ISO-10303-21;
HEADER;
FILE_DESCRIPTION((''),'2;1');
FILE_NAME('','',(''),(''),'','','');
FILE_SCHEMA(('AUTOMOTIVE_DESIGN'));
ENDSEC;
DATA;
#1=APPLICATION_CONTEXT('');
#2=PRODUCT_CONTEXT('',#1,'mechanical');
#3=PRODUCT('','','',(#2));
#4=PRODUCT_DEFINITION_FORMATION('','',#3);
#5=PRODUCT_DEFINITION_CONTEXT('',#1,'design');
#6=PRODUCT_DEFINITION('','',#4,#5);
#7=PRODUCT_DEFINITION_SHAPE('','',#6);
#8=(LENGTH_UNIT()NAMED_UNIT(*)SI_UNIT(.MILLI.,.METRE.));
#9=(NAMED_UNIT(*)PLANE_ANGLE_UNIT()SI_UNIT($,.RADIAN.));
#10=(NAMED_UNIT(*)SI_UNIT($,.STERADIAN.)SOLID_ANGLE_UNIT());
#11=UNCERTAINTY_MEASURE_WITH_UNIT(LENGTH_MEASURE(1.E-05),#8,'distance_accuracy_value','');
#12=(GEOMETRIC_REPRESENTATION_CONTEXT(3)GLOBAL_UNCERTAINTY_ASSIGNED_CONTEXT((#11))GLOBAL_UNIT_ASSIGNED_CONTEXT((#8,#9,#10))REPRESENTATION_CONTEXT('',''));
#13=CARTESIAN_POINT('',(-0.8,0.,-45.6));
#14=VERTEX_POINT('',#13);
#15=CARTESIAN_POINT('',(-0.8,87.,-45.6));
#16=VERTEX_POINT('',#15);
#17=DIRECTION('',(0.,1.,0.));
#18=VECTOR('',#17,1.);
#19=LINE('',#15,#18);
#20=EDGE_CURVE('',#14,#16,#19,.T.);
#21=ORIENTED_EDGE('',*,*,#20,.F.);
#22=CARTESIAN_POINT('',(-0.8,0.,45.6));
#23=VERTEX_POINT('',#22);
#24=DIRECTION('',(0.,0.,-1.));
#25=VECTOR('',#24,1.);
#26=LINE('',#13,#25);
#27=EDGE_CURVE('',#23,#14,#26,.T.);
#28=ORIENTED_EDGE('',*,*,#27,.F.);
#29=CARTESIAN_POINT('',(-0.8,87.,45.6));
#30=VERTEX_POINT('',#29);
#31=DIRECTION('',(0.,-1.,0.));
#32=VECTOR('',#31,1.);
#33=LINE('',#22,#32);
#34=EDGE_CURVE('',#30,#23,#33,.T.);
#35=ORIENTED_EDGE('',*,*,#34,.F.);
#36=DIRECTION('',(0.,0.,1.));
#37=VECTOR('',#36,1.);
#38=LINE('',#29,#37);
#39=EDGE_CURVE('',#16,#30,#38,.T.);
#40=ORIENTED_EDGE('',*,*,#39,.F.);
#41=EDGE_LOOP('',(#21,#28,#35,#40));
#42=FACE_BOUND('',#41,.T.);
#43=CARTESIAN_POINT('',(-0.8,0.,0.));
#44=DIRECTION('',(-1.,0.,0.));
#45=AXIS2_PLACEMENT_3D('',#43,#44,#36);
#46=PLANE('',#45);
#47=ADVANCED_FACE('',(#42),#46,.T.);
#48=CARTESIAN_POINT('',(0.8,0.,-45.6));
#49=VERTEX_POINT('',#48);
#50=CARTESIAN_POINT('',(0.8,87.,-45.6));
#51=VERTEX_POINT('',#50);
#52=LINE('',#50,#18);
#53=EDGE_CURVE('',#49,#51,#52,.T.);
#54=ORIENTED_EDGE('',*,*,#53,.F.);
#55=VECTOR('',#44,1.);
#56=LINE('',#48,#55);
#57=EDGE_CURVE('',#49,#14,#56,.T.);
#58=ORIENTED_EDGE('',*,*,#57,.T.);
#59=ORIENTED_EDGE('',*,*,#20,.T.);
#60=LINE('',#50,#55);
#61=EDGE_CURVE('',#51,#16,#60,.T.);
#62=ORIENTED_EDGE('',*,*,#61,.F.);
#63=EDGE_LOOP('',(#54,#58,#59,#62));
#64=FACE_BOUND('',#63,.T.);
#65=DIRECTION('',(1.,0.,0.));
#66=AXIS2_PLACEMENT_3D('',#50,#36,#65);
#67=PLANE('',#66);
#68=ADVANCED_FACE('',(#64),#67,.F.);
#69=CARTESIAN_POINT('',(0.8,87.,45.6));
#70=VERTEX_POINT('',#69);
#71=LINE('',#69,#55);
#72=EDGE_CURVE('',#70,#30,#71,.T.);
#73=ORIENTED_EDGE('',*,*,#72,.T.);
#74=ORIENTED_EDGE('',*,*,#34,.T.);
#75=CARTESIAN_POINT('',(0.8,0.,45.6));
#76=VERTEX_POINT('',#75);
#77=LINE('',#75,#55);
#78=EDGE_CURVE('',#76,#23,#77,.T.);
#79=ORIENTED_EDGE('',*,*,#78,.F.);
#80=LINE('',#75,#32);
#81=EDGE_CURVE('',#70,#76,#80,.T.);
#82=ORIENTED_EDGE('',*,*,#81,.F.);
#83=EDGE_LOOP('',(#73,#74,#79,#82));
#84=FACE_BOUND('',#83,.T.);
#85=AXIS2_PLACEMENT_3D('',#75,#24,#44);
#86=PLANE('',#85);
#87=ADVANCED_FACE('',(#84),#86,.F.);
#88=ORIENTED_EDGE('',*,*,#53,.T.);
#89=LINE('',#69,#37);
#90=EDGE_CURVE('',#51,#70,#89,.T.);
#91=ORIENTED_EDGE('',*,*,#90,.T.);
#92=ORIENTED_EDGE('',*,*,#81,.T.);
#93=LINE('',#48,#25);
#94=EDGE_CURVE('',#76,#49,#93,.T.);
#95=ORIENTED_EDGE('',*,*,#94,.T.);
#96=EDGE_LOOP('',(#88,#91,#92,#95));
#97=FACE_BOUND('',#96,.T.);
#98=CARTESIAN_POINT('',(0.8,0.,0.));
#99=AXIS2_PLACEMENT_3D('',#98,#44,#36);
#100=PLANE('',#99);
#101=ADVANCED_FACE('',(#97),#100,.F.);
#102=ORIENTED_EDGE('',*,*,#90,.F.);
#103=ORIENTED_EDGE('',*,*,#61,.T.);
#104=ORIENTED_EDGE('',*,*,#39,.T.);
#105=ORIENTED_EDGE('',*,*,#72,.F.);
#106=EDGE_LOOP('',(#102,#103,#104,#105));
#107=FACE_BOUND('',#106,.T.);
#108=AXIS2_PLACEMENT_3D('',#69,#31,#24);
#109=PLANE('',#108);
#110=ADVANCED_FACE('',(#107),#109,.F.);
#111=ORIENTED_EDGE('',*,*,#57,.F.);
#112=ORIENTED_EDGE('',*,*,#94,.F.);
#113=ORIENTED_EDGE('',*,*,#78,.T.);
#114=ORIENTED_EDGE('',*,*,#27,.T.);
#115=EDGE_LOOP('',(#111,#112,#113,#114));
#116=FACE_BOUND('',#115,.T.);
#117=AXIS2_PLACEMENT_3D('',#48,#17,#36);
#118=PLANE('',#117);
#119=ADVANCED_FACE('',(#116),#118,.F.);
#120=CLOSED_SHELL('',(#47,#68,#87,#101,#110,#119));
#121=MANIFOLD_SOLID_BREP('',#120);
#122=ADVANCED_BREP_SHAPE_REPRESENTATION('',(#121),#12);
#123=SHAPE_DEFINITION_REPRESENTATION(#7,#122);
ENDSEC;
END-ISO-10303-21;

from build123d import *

# Parameters (mm, degrees)
SKETCH_1_W        = 91.2
SKETCH_1_H        = 87
EXTRUDE_334_DEPTH = 0.8


with BuildPart() as part:
    # ｽｹｯﾁ1 → Extrude 334 (new, symmetric)
    with BuildSketch(Plane(origin=(0, 0, 0), x_dir=(0, 0, -1), z_dir=(1, 0, 0))):
        with Locations((0, 43.5)):
            Rectangle(SKETCH_1_W, SKETCH_1_H)
    extrude(amount=EXTRUDE_334_DEPTH, both=True)


solid = part.part
